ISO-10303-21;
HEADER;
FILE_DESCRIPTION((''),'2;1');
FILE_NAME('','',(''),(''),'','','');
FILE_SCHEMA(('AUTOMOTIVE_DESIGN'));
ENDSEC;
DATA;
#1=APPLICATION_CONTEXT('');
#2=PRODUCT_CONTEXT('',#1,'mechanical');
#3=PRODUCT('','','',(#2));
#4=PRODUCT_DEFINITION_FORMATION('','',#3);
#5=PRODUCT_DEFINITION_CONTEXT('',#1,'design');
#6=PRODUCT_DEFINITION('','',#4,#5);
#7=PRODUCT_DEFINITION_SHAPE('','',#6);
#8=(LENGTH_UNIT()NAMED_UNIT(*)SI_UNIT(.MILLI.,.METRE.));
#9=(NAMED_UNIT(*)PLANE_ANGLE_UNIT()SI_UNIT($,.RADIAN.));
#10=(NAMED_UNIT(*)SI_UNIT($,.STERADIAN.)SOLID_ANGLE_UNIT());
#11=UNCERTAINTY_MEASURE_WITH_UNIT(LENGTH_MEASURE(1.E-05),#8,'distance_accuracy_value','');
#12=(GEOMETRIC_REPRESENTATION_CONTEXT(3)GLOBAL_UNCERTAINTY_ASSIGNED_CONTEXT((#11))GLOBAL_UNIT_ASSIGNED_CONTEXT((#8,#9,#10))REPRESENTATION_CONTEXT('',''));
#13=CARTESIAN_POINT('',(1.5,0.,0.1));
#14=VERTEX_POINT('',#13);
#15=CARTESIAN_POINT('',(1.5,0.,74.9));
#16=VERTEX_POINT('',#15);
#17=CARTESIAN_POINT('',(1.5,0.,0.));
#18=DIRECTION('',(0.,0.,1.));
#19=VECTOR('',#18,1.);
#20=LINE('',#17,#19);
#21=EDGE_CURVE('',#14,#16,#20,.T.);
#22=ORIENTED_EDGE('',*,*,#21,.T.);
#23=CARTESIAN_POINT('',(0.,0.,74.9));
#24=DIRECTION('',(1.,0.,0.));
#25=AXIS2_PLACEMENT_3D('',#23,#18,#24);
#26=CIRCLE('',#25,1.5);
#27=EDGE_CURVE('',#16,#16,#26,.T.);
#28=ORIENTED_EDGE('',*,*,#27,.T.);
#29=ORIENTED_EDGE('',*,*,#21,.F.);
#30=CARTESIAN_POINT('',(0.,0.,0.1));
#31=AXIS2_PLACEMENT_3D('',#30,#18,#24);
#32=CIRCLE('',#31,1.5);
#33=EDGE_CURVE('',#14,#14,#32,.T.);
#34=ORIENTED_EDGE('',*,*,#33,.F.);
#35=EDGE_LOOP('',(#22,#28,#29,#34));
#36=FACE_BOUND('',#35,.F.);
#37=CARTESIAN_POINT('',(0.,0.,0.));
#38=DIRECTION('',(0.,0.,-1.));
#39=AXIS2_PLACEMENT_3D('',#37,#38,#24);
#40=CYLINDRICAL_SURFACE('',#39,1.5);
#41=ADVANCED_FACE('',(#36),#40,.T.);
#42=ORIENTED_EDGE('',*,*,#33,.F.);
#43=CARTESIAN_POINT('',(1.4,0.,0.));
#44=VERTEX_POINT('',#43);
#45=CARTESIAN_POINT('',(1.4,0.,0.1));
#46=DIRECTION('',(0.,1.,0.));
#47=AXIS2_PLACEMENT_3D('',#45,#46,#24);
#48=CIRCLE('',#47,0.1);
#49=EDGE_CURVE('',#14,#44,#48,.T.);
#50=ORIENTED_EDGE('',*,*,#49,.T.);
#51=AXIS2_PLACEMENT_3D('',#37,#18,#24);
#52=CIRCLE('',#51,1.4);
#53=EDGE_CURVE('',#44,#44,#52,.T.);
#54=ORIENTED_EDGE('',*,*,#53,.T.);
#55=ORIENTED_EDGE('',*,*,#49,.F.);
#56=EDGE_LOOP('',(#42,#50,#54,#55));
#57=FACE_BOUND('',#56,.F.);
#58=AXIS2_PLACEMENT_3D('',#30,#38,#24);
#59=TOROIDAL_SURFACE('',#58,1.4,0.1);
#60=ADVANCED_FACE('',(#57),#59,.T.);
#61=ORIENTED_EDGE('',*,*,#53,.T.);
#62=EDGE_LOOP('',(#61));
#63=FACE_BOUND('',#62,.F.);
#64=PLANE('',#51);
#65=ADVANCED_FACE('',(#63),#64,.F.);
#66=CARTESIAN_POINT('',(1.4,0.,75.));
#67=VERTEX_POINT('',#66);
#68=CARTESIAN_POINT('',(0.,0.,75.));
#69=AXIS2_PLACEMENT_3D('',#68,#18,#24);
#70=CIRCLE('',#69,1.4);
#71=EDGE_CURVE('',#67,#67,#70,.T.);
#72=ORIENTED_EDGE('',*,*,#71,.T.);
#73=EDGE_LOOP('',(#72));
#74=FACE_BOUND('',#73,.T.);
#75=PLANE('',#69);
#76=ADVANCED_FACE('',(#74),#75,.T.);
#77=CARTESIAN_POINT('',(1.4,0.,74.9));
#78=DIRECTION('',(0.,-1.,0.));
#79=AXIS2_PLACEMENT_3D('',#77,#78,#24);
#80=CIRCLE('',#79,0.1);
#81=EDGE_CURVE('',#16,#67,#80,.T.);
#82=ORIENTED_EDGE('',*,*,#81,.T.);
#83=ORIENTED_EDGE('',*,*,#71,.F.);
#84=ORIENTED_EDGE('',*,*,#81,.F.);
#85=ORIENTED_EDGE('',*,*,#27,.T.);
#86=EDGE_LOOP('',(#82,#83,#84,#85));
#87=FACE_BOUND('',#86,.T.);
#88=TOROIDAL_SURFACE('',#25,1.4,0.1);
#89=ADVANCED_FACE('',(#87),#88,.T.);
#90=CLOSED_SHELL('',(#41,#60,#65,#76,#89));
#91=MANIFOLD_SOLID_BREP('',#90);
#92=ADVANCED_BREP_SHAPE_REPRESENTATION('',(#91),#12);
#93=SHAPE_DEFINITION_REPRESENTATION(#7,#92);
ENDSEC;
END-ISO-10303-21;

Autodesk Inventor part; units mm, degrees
ref_plane "YZ Plane" through (0, 0, 0) normal (1, 0, 0) x (0, 1, 0)
ref_plane "XZ Plane" through (0, 0, 0) normal (0, 1, 0) x (-1, 0, 0)
ref_plane "XY Plane" through (0, 0, 0) normal (0, 0, 1) x (1, 0, 0)
sketch "Sketch1" plane through (0, 0, 0) normal (0, 0, 1) x (1, 0, 0)
  circle A0 centre (0, 0) radius 1.5
  dimension "d0" = 3
extrude "Extrusion1" add sketch "Sketch1" along normal blind 75
fillet "Fillet1" radius 0.1 2 edges at (-1.5, 0, 75) (-1.5, 0, 0)
properties part number "shaft" material "Steel, Cast"
